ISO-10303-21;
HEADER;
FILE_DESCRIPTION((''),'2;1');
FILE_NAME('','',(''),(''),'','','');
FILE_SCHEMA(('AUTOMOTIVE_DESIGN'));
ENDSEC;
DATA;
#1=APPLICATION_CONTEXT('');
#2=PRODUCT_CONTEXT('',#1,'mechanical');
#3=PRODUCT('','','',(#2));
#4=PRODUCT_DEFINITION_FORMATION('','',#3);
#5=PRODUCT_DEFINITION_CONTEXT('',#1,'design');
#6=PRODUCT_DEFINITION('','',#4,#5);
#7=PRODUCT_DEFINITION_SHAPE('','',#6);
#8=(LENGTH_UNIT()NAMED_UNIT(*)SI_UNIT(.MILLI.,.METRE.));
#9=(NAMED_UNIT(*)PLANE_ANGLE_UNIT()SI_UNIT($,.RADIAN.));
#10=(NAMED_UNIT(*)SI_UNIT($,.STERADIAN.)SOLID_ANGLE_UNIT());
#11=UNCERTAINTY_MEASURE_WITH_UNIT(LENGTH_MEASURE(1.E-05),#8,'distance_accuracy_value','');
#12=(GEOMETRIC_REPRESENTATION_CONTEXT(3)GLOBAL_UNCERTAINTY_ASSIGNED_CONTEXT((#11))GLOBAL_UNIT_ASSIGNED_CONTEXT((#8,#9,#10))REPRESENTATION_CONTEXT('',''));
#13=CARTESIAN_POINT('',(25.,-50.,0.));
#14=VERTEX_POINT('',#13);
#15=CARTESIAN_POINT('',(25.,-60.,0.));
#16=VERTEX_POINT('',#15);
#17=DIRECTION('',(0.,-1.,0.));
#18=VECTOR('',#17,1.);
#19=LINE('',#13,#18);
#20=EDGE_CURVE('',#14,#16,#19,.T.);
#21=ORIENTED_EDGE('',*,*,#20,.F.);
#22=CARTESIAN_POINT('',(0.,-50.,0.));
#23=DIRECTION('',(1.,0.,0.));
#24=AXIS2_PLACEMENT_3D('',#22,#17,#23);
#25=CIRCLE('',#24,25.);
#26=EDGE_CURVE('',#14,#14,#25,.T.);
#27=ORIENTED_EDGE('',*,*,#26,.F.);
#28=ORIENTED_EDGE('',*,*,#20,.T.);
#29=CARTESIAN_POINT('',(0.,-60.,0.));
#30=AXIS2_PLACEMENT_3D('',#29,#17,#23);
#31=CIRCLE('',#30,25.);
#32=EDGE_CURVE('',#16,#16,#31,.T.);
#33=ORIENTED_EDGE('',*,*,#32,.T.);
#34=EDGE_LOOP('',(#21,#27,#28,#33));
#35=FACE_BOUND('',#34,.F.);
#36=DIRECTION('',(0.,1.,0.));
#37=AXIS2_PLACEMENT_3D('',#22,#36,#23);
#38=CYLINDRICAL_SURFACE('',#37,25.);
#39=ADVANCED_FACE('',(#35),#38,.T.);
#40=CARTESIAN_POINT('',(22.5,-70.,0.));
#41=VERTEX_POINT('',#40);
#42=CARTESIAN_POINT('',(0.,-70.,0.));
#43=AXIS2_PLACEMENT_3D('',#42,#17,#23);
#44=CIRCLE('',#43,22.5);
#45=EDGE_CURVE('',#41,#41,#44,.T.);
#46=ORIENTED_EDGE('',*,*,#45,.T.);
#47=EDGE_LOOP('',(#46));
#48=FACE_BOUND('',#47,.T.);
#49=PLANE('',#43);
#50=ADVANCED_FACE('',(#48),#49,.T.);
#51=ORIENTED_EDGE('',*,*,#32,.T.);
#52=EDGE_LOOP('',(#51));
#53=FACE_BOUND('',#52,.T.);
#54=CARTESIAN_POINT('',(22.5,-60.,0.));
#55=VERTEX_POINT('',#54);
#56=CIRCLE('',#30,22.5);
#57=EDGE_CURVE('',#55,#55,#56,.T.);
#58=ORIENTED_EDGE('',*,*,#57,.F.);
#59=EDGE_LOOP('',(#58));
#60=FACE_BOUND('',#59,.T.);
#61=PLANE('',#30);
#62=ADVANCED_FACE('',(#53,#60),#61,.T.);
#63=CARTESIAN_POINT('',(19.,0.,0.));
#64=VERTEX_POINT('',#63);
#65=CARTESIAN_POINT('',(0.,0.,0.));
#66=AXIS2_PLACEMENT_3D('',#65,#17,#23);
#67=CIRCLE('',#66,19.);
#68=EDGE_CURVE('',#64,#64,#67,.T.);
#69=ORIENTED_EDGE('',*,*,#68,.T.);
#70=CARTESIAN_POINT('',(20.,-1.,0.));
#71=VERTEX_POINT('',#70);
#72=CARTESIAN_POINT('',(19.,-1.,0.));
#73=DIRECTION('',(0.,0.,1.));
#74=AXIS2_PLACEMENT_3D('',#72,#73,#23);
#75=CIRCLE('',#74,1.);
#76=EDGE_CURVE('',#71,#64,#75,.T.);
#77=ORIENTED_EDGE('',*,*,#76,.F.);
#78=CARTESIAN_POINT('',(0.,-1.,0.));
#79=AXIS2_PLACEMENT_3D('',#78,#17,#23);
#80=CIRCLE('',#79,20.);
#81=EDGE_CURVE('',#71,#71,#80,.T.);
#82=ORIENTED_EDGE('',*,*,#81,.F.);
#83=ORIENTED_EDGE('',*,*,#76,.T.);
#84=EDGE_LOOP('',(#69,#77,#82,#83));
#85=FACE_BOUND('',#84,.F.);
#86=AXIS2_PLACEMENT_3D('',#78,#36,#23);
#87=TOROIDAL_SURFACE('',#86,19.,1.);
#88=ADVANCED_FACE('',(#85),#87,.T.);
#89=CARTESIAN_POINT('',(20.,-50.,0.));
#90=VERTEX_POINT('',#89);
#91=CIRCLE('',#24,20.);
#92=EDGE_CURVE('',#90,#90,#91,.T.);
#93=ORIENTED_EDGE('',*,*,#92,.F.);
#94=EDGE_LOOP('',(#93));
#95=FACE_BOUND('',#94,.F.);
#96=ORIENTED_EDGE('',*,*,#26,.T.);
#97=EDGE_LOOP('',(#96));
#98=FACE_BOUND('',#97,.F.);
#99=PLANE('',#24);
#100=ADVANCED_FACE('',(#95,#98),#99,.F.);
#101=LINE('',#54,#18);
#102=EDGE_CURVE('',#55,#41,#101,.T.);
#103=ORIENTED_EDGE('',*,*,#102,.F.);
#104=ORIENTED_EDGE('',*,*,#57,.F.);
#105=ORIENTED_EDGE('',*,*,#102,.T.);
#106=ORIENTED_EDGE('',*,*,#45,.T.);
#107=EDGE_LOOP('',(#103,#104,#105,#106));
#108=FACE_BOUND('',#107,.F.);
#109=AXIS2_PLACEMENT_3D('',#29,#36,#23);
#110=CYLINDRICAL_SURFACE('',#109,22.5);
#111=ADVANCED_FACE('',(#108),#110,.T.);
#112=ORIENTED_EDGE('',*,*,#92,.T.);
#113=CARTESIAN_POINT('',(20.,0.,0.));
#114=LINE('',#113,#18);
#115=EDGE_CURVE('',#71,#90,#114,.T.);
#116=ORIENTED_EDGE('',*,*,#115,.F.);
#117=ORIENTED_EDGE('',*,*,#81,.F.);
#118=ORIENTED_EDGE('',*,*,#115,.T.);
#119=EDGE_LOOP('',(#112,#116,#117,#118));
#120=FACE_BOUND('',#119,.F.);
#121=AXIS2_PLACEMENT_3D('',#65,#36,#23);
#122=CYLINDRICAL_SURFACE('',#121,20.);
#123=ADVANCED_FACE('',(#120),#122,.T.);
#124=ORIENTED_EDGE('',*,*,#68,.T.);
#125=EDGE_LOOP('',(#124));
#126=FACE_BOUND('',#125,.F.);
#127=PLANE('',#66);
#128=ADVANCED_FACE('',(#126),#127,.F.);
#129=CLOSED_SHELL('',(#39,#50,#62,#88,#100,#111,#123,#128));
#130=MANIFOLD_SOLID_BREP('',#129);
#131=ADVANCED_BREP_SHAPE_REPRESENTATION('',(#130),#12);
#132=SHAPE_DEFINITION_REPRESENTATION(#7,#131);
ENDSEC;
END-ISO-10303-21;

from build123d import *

# Parameters (mm, degrees)
F0_R     = 20
F1_DEPTH = 50
F2_R     = 25
F3_DEPTH = 10
F4_R     = 22.5
F5_DEPTH = 10
F6_R     = 1


with BuildPart() as f1:
    # F0 (on Front) → F1 (new body)
    with BuildSketch(Plane.XZ):
        Circle(F0_R)
    extrude(amount=F1_DEPTH)

    # F2 (on face) → F3 (join)
    with BuildSketch(Plane.XZ.offset(50)):
        Circle(F2_R)
    extrude(amount=F3_DEPTH)

    # F4 (on face) → F5 (join)
    with BuildSketch(Plane.XZ.offset(60)):
        Circle(F4_R)
    extrude(amount=F5_DEPTH)

    # F6
    f6_edges = [f1.edges().sort_by_distance(p)[0] for p in [
        (-20, 0, 0),
    ]]
    fillet(f6_edges, radius=F6_R)


solid = f1.part
